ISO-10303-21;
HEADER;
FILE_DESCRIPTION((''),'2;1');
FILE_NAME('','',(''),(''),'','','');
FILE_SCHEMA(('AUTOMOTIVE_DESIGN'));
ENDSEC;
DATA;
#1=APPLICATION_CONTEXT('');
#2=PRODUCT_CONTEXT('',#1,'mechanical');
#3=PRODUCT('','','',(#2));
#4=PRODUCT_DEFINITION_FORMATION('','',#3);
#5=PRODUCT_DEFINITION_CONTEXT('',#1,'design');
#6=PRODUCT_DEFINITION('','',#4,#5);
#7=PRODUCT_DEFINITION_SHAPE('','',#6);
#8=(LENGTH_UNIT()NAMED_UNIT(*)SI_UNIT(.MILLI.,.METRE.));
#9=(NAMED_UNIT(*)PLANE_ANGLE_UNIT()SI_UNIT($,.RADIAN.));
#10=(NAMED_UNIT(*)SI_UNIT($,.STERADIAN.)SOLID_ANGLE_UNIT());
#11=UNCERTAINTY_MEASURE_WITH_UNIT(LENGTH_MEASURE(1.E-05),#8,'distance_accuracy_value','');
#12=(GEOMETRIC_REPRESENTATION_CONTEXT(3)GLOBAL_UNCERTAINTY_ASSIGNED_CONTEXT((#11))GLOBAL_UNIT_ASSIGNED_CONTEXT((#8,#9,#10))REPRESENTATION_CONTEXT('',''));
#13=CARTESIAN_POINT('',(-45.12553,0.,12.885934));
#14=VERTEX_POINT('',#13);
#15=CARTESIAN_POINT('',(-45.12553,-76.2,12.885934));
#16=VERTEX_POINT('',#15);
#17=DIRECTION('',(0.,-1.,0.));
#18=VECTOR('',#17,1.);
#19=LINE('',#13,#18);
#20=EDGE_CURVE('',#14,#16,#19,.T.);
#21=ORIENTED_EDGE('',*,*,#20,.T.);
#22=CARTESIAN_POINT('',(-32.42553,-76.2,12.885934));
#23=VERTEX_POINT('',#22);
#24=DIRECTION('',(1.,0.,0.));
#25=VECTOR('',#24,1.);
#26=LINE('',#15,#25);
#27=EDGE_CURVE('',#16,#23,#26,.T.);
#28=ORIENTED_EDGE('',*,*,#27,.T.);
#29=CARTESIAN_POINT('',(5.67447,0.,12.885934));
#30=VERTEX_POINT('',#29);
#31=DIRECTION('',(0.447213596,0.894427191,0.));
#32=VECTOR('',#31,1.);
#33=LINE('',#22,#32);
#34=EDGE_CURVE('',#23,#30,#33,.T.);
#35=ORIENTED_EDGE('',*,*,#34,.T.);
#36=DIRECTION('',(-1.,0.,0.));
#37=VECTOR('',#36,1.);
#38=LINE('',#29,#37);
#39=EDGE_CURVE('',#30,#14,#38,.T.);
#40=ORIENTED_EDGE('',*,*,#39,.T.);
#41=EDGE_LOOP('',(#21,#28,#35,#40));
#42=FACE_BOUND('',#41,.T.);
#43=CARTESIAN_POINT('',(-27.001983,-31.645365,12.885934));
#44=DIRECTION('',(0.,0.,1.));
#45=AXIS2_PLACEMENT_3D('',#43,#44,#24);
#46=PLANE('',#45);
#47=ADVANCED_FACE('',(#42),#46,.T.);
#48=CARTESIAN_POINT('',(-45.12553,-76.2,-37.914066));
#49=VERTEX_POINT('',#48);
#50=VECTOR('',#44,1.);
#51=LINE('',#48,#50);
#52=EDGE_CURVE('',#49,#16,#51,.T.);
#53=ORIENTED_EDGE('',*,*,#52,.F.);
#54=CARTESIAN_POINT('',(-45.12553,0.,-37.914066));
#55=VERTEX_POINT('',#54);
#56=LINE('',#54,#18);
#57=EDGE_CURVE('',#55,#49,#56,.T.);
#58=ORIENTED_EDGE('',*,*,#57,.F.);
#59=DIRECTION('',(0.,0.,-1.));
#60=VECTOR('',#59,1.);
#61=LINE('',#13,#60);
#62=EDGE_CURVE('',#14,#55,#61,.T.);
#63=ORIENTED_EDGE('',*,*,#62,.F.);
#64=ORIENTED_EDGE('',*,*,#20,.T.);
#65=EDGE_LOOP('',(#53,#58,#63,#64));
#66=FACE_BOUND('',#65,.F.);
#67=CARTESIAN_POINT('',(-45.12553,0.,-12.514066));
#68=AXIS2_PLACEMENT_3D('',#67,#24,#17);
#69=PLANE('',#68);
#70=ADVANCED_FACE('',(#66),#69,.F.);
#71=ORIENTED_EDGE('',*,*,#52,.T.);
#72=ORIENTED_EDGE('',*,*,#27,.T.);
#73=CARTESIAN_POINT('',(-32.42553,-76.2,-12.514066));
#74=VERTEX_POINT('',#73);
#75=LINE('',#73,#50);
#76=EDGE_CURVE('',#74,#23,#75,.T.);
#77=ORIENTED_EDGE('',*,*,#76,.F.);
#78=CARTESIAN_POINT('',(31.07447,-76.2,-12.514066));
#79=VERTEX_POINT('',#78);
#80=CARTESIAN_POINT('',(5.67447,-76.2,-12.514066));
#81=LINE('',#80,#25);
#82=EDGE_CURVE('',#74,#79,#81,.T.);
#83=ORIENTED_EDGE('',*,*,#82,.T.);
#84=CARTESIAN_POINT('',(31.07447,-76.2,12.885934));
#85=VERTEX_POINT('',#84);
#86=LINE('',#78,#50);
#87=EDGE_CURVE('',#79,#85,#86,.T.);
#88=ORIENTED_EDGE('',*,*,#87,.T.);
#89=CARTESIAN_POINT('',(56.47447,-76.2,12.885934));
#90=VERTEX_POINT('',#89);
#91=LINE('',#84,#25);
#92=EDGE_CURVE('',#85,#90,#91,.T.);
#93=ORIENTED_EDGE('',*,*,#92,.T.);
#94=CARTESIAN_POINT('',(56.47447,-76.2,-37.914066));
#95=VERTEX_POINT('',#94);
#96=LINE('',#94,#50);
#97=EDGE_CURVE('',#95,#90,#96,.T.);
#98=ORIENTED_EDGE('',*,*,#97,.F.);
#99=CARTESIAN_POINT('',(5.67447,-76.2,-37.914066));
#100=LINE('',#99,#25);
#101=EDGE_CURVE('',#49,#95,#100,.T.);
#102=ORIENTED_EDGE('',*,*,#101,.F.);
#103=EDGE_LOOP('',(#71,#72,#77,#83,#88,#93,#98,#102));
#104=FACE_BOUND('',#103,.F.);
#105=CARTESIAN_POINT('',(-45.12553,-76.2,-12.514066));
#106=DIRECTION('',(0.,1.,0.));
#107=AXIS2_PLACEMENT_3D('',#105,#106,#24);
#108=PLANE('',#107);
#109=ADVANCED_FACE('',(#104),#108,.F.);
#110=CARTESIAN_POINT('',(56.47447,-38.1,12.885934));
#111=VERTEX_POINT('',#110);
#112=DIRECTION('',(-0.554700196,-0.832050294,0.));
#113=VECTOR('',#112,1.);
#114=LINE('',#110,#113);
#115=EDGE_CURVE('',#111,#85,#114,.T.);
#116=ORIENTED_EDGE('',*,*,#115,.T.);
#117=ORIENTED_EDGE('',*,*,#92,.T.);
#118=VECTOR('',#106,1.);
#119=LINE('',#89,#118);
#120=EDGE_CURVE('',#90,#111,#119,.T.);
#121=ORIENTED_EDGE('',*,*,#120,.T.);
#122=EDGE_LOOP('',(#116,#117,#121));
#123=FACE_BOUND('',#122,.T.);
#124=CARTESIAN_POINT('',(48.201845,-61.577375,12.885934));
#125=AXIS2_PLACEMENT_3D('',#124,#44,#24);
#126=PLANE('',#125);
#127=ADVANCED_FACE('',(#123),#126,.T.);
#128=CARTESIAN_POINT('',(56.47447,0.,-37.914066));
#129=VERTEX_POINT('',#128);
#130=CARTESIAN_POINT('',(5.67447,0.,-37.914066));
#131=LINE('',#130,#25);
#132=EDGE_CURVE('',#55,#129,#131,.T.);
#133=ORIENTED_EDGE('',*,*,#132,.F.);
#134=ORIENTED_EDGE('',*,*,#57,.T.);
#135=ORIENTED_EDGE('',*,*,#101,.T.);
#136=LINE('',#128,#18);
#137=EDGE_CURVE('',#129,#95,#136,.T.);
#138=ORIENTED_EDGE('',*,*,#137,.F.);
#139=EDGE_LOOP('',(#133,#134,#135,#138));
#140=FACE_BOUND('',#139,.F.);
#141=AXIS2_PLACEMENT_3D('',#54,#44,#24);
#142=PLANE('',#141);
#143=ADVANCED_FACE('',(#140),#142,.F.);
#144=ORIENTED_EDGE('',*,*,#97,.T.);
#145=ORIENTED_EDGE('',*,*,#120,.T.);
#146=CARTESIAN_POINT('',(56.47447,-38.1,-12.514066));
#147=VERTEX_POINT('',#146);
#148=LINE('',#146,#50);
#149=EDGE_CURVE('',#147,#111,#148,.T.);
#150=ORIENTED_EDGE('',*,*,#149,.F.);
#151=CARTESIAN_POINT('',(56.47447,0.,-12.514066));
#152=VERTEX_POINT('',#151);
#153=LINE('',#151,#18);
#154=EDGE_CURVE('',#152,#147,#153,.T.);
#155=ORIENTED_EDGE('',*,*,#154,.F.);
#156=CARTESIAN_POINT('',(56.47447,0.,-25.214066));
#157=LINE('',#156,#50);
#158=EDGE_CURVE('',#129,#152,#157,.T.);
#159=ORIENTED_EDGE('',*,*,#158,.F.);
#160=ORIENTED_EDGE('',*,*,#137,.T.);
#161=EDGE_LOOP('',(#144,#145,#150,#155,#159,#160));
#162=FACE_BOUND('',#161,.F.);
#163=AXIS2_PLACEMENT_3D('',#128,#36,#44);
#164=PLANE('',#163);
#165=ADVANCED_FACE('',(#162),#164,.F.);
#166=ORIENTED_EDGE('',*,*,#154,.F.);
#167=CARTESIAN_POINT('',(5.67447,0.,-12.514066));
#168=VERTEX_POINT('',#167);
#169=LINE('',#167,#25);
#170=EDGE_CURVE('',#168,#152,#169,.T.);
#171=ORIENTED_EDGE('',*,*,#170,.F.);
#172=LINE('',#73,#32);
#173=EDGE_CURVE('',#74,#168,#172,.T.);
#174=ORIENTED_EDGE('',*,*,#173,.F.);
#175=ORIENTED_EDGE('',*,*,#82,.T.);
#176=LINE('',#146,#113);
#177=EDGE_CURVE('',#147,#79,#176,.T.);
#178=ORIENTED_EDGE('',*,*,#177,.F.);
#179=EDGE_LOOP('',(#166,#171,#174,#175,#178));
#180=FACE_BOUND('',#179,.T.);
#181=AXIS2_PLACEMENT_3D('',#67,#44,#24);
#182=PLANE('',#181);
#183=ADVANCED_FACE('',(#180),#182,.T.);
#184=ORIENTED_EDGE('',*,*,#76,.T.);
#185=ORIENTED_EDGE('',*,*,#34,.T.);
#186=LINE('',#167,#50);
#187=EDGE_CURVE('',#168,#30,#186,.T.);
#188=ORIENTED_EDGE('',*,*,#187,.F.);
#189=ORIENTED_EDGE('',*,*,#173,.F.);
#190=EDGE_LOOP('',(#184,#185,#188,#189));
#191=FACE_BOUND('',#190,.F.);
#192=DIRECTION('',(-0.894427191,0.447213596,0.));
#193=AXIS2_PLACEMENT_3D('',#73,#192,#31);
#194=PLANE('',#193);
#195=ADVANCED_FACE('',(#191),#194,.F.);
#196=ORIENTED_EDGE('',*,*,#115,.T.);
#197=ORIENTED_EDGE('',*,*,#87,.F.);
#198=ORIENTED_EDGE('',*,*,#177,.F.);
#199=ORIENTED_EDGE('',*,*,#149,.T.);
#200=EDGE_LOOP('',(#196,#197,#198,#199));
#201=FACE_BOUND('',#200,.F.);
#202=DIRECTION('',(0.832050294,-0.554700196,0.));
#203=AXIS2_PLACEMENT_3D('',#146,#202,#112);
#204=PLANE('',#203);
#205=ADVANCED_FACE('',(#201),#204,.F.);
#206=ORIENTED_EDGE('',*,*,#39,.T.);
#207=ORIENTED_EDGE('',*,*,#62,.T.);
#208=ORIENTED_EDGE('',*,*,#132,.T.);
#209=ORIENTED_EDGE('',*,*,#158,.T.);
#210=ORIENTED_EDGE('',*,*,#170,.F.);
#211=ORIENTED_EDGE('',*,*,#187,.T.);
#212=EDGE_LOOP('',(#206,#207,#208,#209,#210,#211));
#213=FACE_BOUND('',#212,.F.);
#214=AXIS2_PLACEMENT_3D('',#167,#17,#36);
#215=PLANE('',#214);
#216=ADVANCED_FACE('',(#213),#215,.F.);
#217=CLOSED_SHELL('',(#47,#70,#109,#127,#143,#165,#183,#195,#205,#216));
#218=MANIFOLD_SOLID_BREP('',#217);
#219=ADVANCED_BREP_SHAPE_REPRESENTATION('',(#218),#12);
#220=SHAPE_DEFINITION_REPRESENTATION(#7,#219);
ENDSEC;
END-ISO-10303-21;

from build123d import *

# Parameters (mm, degrees)
F0_W     = 101.6
F0_H     = 25.4
F1_DEPTH = 76.2
F3_DEPTH = 25.4


with BuildPart() as f1:
    # F0 (on Front) → F1 (new body)
    with BuildSketch(Plane.XZ):
        with Locations((5.67447, -25.214066)):
            Rectangle(F0_W, F0_H)
    extrude(amount=F1_DEPTH)

    # F2 (on face) → F3 (join)
    with BuildSketch(Plane.XY.offset(-12.514066)):
        Polygon((-45.12553, 0), (-45.12553, -76.2), (-32.42553, -76.2), (5.67447, 0), align=None)
        Polygon((56.47447, -76.2), (56.47447, -38.1), (31.07447, -76.2), align=None)
    extrude(amount=F3_DEPTH)


solid = f1.part
